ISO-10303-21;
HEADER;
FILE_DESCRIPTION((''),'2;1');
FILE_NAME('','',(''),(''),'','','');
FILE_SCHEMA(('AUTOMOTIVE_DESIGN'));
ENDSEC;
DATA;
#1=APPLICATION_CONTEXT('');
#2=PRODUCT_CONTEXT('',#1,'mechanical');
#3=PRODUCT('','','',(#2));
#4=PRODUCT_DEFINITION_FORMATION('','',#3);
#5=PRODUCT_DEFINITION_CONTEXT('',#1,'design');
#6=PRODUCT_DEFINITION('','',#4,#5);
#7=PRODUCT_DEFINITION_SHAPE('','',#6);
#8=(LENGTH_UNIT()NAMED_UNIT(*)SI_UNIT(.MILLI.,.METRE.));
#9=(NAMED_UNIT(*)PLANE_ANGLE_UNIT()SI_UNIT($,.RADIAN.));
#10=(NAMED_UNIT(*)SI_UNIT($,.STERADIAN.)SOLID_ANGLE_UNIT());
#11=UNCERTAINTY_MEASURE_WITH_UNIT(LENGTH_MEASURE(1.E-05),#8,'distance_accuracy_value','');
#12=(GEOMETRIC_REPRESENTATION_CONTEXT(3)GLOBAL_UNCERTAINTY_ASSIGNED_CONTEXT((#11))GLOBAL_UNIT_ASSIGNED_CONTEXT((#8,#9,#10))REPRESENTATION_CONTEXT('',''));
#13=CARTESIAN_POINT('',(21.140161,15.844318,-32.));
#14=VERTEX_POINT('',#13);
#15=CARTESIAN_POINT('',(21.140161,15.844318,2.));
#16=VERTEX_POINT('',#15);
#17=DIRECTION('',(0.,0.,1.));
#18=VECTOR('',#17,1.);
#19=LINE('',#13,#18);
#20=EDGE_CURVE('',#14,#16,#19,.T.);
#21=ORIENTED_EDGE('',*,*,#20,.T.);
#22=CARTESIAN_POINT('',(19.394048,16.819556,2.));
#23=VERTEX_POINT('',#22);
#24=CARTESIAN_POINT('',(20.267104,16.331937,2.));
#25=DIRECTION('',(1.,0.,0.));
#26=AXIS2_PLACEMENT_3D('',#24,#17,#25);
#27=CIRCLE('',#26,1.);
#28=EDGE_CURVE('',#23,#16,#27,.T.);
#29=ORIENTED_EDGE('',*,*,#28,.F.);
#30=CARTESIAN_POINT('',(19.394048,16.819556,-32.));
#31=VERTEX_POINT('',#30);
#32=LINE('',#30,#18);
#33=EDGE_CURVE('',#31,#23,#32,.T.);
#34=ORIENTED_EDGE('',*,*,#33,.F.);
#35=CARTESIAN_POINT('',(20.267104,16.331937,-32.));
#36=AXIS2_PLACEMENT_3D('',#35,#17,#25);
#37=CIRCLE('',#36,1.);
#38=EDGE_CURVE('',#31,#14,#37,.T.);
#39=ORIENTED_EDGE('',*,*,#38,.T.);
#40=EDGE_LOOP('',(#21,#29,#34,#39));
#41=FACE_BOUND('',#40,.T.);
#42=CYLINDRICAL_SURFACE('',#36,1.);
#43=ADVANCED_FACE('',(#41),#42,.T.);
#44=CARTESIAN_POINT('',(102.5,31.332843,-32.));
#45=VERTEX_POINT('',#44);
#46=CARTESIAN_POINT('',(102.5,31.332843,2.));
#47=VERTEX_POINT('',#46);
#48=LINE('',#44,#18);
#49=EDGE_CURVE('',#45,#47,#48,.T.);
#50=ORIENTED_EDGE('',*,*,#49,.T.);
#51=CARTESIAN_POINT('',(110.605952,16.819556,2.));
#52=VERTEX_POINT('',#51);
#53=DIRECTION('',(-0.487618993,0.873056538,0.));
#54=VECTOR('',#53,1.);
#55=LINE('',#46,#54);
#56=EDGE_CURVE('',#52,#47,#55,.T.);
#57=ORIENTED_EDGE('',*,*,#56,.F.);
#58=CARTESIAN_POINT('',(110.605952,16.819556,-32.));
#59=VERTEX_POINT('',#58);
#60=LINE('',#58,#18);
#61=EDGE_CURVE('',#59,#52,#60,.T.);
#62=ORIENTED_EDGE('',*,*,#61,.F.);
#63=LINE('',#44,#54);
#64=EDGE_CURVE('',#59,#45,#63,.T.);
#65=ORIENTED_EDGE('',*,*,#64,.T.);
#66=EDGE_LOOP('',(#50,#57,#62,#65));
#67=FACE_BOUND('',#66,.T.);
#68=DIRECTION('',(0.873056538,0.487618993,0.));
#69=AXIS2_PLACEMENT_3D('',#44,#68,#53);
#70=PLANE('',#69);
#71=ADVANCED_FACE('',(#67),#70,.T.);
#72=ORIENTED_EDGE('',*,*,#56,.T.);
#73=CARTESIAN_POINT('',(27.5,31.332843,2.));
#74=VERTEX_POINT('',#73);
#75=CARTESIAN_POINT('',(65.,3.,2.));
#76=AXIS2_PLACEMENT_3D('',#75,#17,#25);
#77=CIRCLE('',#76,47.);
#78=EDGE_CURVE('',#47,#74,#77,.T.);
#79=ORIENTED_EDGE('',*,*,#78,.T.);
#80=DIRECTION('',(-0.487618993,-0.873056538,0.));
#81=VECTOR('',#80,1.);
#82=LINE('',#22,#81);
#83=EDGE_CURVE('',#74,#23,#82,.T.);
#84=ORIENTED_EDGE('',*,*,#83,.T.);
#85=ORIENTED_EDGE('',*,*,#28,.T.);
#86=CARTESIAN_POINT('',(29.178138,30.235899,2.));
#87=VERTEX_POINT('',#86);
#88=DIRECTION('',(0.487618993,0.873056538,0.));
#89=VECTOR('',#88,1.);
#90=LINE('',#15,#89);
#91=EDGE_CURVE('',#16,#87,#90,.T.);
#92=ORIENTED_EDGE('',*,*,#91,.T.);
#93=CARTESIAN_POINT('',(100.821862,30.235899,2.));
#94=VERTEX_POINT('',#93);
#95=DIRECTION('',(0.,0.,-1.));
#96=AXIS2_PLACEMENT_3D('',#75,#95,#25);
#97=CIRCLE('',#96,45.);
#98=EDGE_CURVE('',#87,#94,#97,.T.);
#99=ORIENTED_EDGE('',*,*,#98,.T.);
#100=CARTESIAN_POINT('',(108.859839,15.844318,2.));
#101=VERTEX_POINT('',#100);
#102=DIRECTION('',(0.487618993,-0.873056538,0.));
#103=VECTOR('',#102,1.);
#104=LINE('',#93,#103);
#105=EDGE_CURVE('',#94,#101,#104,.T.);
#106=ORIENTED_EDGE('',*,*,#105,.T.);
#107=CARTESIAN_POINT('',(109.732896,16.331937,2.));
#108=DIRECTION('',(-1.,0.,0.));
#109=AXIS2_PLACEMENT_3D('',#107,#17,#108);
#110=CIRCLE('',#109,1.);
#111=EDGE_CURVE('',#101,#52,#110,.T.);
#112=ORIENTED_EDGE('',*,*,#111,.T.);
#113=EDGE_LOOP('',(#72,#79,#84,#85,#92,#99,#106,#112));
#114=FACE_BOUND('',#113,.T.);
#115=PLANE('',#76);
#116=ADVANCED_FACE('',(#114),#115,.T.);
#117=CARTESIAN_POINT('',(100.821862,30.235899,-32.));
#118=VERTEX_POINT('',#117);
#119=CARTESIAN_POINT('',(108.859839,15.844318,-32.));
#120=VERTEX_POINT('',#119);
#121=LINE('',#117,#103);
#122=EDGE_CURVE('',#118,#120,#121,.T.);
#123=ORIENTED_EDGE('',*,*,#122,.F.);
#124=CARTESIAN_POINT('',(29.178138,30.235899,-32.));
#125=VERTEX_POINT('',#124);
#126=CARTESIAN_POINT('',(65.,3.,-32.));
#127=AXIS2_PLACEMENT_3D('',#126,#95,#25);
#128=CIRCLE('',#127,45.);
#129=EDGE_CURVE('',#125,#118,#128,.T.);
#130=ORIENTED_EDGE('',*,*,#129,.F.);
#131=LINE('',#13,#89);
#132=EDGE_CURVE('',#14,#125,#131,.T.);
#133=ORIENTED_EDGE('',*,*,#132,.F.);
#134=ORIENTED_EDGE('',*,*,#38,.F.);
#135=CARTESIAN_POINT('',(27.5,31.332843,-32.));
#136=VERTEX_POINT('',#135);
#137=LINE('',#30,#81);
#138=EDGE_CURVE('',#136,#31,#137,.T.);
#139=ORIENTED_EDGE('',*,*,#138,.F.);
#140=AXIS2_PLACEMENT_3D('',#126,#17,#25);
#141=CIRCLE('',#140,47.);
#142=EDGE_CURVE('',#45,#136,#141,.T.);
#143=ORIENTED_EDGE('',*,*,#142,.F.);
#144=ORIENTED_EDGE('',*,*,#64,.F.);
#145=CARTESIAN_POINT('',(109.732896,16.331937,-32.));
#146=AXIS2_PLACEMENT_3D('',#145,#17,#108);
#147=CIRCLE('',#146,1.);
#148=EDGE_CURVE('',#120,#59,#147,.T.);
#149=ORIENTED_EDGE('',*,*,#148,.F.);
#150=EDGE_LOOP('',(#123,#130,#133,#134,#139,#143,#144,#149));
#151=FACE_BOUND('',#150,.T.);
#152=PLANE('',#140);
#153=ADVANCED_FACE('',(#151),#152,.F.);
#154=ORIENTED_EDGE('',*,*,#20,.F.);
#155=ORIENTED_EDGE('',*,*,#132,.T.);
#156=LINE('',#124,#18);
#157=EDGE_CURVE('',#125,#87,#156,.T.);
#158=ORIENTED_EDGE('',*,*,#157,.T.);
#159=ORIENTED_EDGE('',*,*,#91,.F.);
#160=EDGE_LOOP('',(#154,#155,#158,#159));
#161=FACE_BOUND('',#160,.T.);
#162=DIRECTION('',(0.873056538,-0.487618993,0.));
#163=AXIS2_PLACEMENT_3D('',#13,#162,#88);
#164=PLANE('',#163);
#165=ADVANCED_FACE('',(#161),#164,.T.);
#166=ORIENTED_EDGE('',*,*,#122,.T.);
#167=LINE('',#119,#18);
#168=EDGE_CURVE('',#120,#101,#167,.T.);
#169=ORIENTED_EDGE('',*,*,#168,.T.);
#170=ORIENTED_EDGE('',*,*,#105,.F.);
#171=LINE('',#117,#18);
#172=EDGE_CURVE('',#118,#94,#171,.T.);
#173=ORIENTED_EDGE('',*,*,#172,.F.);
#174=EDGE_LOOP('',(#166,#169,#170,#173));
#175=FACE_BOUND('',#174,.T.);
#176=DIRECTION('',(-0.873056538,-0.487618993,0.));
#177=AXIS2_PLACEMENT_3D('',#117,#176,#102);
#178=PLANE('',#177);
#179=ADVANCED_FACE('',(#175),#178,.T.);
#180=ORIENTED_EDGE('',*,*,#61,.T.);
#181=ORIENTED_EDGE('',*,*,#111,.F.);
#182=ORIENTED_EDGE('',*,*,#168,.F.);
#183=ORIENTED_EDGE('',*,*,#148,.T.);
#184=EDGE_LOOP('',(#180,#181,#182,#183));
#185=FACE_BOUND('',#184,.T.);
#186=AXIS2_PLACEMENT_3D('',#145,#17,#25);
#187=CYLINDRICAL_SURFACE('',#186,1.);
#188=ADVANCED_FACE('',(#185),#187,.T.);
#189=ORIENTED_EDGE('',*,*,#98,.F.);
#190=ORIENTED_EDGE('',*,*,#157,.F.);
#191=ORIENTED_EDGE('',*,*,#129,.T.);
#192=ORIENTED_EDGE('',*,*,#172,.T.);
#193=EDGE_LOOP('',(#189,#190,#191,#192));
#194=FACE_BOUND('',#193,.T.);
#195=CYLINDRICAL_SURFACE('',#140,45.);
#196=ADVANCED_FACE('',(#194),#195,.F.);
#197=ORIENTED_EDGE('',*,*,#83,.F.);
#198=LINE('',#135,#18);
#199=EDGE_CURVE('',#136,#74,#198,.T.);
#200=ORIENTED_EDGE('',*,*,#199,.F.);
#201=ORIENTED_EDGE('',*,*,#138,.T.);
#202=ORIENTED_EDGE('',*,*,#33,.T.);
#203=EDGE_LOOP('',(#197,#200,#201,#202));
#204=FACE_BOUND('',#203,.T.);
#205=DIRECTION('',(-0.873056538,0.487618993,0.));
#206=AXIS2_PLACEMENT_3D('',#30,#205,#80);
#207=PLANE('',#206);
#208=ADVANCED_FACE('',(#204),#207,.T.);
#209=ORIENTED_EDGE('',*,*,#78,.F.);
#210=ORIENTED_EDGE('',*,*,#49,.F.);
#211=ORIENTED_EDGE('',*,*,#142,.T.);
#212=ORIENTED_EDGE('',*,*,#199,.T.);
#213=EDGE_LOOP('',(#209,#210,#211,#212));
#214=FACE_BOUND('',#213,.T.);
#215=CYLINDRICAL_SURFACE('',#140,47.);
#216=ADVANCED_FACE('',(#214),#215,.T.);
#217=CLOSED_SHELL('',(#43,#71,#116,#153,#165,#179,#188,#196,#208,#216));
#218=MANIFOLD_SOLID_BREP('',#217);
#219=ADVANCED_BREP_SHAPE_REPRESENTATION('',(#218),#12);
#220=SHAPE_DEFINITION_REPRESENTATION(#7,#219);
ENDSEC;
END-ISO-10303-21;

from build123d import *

# Parameters (mm, degrees)
BOSS_EXTRUDE1_DEPTH      = 2
BOSS_EXTRUDE1_DEPTH_BACK = 32


with BuildPart() as part:
    # Sketch2 → Boss-Extrude1 (new, two sides: drawn at the far end of the back side and taken through both)
    with BuildSketch(Plane.XY.offset(-BOSS_EXTRUDE1_DEPTH_BACK)):
        with BuildLine():
            Line((102.5, 31.332843133), (110.605952255, 16.81955568))
            ThreePointArc((110.605952255, 16.81955568), (110.22051471, 15.458880149), (108.859839179, 15.844317694))
            Line((108.859839179, 15.844317694), (100.821862298, 30.235898765))
            ThreePointArc((100.821862298, 30.235898765), (65, 48), (29.178137702, 30.235898765))
            Line((29.178137702, 30.235898765), (21.140160821, 15.844317694))
            ThreePointArc((21.140160821, 15.844317694), (19.77948529, 15.458880149), (19.394047745, 16.81955568))
            Line((19.394047745, 16.81955568), (27.5, 31.332843133))
            ThreePointArc((27.5, 31.332843133), (65, 50), (102.5, 31.332843133))
        make_face()
    extrude(amount=BOSS_EXTRUDE1_DEPTH + BOSS_EXTRUDE1_DEPTH_BACK)


solid = part.part
